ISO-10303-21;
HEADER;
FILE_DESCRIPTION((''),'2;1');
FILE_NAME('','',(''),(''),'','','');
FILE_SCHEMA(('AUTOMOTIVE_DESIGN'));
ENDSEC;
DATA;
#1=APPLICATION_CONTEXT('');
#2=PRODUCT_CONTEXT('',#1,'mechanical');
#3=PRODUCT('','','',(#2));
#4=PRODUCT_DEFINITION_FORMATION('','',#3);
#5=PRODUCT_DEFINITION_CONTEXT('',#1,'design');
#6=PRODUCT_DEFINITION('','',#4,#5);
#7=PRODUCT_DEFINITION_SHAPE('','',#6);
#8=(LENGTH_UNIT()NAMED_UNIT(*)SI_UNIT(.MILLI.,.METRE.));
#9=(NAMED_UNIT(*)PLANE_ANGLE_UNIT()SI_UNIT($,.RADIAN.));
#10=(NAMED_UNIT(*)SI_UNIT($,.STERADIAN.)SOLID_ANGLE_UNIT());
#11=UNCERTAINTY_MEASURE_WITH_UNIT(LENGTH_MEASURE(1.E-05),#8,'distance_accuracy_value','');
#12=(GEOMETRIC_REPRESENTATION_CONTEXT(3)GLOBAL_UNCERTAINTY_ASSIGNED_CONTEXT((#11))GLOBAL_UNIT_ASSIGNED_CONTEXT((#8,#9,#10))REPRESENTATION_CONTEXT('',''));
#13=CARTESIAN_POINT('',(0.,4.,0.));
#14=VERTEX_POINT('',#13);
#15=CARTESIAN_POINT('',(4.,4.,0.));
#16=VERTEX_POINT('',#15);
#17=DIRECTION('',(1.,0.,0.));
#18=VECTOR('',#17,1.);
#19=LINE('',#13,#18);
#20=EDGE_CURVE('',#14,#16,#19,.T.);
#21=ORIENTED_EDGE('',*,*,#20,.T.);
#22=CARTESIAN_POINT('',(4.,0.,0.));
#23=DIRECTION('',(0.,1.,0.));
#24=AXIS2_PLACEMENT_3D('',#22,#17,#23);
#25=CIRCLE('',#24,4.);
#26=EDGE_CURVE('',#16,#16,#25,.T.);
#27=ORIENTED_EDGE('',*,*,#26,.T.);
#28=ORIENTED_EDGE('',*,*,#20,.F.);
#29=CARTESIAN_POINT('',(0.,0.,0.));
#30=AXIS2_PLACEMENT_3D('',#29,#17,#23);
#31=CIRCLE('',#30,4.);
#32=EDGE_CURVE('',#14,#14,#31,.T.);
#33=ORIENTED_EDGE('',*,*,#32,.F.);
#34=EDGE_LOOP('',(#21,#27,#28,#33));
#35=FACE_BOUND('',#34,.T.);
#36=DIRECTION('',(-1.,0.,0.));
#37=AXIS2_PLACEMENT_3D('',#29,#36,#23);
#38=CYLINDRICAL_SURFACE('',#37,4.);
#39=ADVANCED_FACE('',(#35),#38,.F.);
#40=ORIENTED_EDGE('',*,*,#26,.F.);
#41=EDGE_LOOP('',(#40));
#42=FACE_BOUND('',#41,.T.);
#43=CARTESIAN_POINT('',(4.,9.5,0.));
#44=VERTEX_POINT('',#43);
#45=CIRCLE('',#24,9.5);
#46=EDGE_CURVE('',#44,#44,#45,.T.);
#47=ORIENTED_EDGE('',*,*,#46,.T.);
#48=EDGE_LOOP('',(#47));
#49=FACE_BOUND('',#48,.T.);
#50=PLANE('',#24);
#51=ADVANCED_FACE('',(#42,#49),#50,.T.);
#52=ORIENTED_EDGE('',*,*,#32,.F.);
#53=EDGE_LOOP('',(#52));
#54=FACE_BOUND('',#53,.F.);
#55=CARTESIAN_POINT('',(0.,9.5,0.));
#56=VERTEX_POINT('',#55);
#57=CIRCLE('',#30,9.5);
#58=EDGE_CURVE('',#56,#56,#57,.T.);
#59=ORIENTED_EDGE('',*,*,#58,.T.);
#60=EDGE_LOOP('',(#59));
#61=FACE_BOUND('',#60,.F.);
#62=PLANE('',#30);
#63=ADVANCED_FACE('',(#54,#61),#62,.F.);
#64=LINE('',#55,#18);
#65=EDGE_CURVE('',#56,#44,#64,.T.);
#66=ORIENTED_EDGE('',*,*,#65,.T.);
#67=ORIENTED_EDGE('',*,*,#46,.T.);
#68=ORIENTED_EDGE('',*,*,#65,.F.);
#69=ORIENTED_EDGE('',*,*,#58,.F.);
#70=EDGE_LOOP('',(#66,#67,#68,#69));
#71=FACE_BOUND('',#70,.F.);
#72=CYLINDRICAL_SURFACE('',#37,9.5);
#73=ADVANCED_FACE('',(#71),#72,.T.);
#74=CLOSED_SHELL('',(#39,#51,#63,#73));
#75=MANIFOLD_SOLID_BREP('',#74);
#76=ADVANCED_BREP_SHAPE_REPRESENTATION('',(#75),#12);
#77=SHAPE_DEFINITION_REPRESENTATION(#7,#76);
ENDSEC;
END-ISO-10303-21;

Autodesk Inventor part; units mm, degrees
ref_plane "YZ Plane" through (0, 0, 0) normal (1, 0, 0) x (0, 1, 0)
ref_plane "XZ Plane" through (0, 0, 0) normal (0, 1, 0) x (-1, 0, 0)
ref_plane "XY Plane" through (0, 0, 0) normal (0, 0, 1) x (1, 0, 0)
sketch "Sketch1" plane through (0, 0, 0) normal (1, 0, 0) x (0, 1, 0)
  circle A0 centre (0, 0) radius 4
  circle A1 centre (0, 0) radius 9.5
  dimension "d0" = 8
  dimension "d1" = 19
extrude "Extrusion1" add sketch "Sketch1" along normal blind 4
properties part number "Temp - Thrust Bearing" material "Stainless Steel"
